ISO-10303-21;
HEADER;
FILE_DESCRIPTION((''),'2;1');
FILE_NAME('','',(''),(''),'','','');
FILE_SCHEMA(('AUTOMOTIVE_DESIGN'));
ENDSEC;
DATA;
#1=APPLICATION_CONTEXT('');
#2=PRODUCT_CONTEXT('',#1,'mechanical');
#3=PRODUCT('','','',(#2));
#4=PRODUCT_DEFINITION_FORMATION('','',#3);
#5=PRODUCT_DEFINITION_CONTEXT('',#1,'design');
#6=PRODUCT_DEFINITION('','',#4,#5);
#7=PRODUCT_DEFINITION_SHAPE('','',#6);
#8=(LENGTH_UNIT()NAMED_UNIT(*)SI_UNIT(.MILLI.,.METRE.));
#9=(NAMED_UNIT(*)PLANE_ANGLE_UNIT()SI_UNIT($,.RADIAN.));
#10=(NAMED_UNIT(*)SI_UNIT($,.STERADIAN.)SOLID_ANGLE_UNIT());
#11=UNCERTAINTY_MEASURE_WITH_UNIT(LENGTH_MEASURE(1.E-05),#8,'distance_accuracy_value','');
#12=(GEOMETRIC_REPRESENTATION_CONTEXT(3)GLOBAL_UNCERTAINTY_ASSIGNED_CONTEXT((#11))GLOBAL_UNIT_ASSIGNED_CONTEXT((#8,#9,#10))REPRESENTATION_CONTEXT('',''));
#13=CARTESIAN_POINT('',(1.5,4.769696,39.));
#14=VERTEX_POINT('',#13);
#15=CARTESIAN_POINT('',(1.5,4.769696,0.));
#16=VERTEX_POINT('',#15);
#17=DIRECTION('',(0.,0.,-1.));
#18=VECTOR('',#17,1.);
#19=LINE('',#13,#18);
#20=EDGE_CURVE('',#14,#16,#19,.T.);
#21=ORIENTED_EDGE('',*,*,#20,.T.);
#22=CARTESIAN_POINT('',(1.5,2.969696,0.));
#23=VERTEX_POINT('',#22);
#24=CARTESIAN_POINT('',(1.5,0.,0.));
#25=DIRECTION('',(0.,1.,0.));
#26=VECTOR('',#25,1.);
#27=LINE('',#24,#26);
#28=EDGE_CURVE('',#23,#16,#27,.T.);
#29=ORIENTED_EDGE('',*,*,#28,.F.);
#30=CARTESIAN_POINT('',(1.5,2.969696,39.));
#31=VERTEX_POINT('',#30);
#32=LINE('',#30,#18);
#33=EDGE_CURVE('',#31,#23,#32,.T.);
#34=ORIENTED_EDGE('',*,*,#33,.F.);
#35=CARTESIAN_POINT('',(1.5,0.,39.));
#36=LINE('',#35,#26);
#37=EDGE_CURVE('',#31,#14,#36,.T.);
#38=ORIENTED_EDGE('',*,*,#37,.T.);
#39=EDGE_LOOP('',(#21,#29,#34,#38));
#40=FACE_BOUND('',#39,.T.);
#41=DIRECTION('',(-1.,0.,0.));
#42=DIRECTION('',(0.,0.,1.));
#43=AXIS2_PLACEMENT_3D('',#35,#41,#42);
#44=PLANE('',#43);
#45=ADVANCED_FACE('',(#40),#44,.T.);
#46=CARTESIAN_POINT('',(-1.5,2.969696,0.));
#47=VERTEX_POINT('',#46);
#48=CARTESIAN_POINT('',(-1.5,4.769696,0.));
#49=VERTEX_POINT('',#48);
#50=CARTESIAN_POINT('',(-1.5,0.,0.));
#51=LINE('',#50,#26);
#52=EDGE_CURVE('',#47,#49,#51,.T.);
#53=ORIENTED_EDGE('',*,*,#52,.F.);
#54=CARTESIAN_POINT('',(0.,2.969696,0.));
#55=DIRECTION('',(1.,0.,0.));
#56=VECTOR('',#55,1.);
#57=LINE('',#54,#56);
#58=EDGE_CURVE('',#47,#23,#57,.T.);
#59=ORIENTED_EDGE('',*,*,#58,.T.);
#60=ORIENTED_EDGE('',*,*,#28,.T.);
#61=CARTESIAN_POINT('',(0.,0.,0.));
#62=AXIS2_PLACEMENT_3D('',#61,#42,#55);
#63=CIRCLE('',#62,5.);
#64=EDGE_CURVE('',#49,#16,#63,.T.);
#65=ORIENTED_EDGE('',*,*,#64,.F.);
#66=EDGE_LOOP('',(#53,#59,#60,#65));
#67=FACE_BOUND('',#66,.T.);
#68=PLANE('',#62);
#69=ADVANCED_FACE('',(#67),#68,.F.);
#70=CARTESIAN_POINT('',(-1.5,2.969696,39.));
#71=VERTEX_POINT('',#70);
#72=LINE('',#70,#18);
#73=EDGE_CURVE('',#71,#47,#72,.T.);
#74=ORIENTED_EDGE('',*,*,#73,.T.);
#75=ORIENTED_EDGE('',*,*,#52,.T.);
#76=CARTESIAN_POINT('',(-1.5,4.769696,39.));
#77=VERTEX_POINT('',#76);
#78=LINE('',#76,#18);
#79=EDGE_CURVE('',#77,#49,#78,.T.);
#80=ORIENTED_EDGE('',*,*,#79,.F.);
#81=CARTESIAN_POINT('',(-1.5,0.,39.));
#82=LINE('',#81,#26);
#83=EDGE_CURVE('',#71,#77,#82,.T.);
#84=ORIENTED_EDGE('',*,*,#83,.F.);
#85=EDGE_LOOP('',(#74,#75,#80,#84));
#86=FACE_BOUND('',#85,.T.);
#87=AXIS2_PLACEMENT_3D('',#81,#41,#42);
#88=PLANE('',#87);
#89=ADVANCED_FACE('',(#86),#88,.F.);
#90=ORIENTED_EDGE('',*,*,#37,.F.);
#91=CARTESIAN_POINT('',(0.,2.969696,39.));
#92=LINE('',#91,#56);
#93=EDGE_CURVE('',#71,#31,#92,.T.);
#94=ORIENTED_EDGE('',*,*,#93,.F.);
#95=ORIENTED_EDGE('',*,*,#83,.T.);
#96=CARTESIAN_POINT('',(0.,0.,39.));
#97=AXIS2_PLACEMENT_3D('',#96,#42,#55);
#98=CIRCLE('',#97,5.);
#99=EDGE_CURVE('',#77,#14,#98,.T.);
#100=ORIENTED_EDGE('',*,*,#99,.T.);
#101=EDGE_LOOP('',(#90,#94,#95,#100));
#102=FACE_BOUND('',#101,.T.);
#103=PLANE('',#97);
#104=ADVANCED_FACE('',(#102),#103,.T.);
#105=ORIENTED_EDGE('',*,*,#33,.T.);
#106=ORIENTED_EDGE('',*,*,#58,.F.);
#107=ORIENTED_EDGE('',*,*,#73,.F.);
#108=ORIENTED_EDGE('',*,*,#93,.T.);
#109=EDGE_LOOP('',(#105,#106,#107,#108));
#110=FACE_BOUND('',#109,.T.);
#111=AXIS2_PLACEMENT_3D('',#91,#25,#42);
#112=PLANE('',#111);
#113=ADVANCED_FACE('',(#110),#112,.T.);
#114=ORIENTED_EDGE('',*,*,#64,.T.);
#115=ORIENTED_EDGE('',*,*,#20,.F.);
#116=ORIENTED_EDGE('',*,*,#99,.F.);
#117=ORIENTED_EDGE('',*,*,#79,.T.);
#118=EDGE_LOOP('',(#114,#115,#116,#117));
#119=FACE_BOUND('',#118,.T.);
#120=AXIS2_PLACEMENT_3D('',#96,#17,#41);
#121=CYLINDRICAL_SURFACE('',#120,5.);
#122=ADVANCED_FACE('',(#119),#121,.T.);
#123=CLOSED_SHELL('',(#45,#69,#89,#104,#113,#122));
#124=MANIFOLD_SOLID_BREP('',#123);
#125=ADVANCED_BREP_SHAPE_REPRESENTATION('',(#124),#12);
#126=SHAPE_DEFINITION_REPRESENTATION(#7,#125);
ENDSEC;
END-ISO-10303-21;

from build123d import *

# Parameters (mm, degrees)
ESTRUSIONE_ESTRUSIONE1_DEPTH = 39


with BuildPart() as part:
    # Schizzo1 → Estrusione-Estrusione1 (new body)
    with BuildSketch(Plane.XY):
        with BuildLine():
            Line((1.5, 2.969696007), (-1.5, 2.969696007))
            Line((-1.5, 2.969696007), (-1.5, 4.769696007))
            ThreePointArc((-1.5, 4.769696007), (-2.958039892, -4.031128874), (5, 0))
            ThreePointArc((5, 0), (4.031128874, 2.958039892), (1.5, 4.769696007))
            Line((1.5, 4.769696007), (1.5, 2.969696007))
        make_face()
    extrude(amount=ESTRUSIONE_ESTRUSIONE1_DEPTH)


solid = part.part
